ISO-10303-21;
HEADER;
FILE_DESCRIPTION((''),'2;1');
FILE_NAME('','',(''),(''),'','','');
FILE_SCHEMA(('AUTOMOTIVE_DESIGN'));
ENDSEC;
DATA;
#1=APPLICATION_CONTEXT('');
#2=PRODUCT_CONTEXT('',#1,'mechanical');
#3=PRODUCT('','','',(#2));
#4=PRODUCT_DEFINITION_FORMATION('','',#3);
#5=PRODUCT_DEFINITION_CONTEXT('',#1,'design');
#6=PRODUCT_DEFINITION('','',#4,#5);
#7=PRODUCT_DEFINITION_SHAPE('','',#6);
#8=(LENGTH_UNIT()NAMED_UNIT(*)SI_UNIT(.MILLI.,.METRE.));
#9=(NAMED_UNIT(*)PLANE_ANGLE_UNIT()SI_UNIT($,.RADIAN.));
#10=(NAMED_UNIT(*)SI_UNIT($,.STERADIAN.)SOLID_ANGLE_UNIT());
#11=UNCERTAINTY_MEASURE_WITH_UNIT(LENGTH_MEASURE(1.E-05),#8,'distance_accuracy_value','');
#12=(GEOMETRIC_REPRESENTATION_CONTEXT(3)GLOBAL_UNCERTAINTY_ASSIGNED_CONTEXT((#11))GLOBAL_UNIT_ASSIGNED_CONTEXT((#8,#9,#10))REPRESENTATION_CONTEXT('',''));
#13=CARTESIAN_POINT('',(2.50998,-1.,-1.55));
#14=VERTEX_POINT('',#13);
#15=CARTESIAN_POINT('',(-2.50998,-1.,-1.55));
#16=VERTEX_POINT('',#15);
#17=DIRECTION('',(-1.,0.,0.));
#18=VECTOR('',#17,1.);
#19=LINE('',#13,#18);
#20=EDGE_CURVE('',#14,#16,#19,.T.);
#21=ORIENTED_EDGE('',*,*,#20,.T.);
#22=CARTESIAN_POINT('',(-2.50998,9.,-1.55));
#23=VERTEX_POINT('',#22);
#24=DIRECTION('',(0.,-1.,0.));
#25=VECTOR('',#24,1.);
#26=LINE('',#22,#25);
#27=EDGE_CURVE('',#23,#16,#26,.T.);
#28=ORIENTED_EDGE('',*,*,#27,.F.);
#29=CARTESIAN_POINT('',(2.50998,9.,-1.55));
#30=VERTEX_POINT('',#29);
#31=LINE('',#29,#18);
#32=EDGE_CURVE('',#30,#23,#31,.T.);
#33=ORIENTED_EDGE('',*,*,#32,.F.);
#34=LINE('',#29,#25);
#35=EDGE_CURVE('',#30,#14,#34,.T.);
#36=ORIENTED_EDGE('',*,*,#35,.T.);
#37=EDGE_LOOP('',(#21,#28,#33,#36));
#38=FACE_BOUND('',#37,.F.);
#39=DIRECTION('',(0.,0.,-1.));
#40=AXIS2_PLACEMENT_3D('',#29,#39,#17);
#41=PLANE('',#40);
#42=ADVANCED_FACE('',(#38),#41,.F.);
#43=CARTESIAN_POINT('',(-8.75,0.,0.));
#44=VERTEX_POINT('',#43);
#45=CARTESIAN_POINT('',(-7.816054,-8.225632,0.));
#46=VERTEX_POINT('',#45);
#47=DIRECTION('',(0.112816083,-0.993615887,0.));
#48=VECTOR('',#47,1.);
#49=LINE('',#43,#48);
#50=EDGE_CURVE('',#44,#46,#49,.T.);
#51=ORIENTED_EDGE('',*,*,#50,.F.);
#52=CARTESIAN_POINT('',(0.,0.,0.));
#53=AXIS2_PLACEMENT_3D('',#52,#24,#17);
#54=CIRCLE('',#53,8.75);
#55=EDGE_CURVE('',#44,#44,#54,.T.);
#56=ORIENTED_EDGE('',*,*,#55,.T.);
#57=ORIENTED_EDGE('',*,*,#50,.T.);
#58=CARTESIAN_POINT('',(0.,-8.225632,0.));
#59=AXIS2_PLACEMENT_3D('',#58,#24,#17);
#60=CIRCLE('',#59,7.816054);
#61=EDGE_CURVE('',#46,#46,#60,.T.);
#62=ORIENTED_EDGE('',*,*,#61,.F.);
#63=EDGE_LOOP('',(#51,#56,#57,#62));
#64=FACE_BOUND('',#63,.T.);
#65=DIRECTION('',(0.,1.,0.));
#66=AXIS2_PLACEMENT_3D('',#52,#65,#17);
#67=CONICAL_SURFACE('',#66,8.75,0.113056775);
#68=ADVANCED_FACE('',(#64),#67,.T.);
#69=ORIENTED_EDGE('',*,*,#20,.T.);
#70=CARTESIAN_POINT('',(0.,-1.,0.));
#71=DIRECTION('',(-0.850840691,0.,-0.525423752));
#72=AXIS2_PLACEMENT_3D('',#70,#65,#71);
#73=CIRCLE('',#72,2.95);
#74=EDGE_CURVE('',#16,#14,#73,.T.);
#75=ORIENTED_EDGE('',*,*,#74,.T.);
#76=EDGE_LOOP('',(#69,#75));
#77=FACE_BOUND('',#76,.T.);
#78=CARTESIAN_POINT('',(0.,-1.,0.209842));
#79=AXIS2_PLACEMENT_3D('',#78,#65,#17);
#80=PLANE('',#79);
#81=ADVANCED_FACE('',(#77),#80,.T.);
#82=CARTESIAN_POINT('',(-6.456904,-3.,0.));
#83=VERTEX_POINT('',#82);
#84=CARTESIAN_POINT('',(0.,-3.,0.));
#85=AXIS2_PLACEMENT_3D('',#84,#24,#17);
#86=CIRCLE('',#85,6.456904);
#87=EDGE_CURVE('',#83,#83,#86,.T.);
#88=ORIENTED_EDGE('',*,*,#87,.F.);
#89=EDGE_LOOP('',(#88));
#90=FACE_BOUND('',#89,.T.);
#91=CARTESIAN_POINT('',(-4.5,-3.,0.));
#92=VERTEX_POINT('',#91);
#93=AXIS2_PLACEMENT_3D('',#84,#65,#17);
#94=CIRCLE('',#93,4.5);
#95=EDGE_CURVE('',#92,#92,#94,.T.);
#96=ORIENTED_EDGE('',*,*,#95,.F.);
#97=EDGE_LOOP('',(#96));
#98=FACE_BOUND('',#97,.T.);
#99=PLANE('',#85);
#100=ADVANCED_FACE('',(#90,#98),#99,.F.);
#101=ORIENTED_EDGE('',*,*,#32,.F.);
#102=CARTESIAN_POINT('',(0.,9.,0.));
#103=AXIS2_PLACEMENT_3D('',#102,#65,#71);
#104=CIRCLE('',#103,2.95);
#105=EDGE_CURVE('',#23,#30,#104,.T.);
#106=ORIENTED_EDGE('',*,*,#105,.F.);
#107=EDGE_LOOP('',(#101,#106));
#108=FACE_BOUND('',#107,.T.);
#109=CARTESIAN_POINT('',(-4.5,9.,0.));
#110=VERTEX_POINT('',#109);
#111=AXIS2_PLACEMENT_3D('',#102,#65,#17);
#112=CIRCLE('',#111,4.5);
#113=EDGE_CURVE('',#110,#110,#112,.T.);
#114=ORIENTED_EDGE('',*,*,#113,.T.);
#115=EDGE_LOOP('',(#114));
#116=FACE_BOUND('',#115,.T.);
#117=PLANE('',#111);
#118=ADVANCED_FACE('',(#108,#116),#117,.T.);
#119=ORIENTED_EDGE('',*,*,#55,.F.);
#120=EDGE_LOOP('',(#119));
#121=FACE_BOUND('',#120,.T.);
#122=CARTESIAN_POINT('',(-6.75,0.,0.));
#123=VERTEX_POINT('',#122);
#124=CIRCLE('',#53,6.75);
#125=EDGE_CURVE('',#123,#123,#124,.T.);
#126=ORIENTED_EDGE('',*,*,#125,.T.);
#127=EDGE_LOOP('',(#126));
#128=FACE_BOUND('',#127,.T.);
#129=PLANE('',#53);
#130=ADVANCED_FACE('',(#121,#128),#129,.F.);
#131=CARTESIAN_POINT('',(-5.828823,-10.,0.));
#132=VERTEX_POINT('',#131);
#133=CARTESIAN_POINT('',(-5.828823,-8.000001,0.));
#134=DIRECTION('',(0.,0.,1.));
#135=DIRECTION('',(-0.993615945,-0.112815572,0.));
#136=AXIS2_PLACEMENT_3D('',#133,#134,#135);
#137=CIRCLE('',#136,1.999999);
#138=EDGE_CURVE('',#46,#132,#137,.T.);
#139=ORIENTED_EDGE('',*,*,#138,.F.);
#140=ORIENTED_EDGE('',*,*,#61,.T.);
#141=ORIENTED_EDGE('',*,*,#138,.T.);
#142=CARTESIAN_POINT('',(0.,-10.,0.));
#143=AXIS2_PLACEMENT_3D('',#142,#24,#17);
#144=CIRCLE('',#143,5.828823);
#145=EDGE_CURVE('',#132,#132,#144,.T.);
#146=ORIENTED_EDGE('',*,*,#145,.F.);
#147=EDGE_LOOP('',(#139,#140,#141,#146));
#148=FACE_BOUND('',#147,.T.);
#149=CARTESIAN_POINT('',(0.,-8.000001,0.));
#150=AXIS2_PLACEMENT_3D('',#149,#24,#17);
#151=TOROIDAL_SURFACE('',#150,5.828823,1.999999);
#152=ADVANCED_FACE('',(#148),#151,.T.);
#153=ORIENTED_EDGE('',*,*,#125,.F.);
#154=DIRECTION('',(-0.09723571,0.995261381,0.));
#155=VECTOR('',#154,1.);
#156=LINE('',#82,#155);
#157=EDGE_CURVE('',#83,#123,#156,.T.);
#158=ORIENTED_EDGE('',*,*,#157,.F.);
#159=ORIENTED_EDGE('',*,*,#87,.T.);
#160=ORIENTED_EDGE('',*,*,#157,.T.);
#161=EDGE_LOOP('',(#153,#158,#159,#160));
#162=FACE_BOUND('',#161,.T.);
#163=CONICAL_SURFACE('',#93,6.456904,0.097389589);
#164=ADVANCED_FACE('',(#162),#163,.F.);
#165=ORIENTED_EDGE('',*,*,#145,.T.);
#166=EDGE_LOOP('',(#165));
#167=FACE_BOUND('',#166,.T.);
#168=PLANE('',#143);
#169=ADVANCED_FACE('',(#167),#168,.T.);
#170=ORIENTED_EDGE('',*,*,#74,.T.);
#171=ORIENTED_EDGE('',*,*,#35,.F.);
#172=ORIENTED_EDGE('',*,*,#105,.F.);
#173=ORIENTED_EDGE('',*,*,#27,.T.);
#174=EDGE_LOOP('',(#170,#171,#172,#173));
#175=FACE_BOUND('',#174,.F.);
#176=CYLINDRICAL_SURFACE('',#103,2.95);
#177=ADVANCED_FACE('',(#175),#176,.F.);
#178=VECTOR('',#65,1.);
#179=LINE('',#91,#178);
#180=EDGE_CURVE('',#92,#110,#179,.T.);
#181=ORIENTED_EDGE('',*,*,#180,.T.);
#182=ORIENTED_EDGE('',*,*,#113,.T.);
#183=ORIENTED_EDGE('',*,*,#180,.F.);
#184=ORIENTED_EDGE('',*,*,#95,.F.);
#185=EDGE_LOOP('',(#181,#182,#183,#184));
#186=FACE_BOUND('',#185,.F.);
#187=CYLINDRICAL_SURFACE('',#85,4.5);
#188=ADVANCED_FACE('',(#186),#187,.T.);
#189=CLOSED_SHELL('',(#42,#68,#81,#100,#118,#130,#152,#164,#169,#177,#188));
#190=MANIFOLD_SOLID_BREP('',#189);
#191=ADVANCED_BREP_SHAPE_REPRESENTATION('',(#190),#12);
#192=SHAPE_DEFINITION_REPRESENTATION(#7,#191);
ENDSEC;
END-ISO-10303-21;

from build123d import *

# Parameters (mm, degrees)
F2_R     = 4.5
F3_DEPTH = 12
F5_DEPTH = 10


with BuildPart() as f1:
    # F0 (on Top) → F1 (revolve)
    with BuildSketch(Plane.XY):
        with BuildLine():
            Line((-6.456904, -3), (-6.75, 0))
            Line((-6.75, 0), (-8.75, 0))
            Line((-8.75, 0), (-7.816054, -8.225632))
            ThreePointArc((-7.816054, -8.225632), (-7.160877, -9.491855), (-5.828823, -10))
            Line((-5.828823, -10), (0, -10))
            Line((0, -10), (0, -3))
            Line((0, -3), (-6.456904, -3))
        make_face()
    revolve(axis=Axis((0, -5, 0), (0, -1, 0)))

    # F2 (on face) → F3 (join)
    with BuildSketch(Plane(origin=(0, -3, 0), x_dir=(-1, 0, 0), z_dir=(0, 1, 0))):
        Circle(F2_R)
    extrude(amount=F3_DEPTH)

    # F4 (on face) → F5 (cut)
    with BuildSketch(Plane(origin=(0, 9, 0), x_dir=(-1, 0, 0), z_dir=(0, 1, 0))):
        with BuildLine():
            Line((-2.50998, -1.55), (2.50998, -1.55))
            ThreePointArc((2.50998, -1.55), (0, 2.95), (-2.50998, -1.55))
        make_face()
    extrude(amount=-F5_DEPTH, mode=Mode.SUBTRACT)


solid = f1.part
